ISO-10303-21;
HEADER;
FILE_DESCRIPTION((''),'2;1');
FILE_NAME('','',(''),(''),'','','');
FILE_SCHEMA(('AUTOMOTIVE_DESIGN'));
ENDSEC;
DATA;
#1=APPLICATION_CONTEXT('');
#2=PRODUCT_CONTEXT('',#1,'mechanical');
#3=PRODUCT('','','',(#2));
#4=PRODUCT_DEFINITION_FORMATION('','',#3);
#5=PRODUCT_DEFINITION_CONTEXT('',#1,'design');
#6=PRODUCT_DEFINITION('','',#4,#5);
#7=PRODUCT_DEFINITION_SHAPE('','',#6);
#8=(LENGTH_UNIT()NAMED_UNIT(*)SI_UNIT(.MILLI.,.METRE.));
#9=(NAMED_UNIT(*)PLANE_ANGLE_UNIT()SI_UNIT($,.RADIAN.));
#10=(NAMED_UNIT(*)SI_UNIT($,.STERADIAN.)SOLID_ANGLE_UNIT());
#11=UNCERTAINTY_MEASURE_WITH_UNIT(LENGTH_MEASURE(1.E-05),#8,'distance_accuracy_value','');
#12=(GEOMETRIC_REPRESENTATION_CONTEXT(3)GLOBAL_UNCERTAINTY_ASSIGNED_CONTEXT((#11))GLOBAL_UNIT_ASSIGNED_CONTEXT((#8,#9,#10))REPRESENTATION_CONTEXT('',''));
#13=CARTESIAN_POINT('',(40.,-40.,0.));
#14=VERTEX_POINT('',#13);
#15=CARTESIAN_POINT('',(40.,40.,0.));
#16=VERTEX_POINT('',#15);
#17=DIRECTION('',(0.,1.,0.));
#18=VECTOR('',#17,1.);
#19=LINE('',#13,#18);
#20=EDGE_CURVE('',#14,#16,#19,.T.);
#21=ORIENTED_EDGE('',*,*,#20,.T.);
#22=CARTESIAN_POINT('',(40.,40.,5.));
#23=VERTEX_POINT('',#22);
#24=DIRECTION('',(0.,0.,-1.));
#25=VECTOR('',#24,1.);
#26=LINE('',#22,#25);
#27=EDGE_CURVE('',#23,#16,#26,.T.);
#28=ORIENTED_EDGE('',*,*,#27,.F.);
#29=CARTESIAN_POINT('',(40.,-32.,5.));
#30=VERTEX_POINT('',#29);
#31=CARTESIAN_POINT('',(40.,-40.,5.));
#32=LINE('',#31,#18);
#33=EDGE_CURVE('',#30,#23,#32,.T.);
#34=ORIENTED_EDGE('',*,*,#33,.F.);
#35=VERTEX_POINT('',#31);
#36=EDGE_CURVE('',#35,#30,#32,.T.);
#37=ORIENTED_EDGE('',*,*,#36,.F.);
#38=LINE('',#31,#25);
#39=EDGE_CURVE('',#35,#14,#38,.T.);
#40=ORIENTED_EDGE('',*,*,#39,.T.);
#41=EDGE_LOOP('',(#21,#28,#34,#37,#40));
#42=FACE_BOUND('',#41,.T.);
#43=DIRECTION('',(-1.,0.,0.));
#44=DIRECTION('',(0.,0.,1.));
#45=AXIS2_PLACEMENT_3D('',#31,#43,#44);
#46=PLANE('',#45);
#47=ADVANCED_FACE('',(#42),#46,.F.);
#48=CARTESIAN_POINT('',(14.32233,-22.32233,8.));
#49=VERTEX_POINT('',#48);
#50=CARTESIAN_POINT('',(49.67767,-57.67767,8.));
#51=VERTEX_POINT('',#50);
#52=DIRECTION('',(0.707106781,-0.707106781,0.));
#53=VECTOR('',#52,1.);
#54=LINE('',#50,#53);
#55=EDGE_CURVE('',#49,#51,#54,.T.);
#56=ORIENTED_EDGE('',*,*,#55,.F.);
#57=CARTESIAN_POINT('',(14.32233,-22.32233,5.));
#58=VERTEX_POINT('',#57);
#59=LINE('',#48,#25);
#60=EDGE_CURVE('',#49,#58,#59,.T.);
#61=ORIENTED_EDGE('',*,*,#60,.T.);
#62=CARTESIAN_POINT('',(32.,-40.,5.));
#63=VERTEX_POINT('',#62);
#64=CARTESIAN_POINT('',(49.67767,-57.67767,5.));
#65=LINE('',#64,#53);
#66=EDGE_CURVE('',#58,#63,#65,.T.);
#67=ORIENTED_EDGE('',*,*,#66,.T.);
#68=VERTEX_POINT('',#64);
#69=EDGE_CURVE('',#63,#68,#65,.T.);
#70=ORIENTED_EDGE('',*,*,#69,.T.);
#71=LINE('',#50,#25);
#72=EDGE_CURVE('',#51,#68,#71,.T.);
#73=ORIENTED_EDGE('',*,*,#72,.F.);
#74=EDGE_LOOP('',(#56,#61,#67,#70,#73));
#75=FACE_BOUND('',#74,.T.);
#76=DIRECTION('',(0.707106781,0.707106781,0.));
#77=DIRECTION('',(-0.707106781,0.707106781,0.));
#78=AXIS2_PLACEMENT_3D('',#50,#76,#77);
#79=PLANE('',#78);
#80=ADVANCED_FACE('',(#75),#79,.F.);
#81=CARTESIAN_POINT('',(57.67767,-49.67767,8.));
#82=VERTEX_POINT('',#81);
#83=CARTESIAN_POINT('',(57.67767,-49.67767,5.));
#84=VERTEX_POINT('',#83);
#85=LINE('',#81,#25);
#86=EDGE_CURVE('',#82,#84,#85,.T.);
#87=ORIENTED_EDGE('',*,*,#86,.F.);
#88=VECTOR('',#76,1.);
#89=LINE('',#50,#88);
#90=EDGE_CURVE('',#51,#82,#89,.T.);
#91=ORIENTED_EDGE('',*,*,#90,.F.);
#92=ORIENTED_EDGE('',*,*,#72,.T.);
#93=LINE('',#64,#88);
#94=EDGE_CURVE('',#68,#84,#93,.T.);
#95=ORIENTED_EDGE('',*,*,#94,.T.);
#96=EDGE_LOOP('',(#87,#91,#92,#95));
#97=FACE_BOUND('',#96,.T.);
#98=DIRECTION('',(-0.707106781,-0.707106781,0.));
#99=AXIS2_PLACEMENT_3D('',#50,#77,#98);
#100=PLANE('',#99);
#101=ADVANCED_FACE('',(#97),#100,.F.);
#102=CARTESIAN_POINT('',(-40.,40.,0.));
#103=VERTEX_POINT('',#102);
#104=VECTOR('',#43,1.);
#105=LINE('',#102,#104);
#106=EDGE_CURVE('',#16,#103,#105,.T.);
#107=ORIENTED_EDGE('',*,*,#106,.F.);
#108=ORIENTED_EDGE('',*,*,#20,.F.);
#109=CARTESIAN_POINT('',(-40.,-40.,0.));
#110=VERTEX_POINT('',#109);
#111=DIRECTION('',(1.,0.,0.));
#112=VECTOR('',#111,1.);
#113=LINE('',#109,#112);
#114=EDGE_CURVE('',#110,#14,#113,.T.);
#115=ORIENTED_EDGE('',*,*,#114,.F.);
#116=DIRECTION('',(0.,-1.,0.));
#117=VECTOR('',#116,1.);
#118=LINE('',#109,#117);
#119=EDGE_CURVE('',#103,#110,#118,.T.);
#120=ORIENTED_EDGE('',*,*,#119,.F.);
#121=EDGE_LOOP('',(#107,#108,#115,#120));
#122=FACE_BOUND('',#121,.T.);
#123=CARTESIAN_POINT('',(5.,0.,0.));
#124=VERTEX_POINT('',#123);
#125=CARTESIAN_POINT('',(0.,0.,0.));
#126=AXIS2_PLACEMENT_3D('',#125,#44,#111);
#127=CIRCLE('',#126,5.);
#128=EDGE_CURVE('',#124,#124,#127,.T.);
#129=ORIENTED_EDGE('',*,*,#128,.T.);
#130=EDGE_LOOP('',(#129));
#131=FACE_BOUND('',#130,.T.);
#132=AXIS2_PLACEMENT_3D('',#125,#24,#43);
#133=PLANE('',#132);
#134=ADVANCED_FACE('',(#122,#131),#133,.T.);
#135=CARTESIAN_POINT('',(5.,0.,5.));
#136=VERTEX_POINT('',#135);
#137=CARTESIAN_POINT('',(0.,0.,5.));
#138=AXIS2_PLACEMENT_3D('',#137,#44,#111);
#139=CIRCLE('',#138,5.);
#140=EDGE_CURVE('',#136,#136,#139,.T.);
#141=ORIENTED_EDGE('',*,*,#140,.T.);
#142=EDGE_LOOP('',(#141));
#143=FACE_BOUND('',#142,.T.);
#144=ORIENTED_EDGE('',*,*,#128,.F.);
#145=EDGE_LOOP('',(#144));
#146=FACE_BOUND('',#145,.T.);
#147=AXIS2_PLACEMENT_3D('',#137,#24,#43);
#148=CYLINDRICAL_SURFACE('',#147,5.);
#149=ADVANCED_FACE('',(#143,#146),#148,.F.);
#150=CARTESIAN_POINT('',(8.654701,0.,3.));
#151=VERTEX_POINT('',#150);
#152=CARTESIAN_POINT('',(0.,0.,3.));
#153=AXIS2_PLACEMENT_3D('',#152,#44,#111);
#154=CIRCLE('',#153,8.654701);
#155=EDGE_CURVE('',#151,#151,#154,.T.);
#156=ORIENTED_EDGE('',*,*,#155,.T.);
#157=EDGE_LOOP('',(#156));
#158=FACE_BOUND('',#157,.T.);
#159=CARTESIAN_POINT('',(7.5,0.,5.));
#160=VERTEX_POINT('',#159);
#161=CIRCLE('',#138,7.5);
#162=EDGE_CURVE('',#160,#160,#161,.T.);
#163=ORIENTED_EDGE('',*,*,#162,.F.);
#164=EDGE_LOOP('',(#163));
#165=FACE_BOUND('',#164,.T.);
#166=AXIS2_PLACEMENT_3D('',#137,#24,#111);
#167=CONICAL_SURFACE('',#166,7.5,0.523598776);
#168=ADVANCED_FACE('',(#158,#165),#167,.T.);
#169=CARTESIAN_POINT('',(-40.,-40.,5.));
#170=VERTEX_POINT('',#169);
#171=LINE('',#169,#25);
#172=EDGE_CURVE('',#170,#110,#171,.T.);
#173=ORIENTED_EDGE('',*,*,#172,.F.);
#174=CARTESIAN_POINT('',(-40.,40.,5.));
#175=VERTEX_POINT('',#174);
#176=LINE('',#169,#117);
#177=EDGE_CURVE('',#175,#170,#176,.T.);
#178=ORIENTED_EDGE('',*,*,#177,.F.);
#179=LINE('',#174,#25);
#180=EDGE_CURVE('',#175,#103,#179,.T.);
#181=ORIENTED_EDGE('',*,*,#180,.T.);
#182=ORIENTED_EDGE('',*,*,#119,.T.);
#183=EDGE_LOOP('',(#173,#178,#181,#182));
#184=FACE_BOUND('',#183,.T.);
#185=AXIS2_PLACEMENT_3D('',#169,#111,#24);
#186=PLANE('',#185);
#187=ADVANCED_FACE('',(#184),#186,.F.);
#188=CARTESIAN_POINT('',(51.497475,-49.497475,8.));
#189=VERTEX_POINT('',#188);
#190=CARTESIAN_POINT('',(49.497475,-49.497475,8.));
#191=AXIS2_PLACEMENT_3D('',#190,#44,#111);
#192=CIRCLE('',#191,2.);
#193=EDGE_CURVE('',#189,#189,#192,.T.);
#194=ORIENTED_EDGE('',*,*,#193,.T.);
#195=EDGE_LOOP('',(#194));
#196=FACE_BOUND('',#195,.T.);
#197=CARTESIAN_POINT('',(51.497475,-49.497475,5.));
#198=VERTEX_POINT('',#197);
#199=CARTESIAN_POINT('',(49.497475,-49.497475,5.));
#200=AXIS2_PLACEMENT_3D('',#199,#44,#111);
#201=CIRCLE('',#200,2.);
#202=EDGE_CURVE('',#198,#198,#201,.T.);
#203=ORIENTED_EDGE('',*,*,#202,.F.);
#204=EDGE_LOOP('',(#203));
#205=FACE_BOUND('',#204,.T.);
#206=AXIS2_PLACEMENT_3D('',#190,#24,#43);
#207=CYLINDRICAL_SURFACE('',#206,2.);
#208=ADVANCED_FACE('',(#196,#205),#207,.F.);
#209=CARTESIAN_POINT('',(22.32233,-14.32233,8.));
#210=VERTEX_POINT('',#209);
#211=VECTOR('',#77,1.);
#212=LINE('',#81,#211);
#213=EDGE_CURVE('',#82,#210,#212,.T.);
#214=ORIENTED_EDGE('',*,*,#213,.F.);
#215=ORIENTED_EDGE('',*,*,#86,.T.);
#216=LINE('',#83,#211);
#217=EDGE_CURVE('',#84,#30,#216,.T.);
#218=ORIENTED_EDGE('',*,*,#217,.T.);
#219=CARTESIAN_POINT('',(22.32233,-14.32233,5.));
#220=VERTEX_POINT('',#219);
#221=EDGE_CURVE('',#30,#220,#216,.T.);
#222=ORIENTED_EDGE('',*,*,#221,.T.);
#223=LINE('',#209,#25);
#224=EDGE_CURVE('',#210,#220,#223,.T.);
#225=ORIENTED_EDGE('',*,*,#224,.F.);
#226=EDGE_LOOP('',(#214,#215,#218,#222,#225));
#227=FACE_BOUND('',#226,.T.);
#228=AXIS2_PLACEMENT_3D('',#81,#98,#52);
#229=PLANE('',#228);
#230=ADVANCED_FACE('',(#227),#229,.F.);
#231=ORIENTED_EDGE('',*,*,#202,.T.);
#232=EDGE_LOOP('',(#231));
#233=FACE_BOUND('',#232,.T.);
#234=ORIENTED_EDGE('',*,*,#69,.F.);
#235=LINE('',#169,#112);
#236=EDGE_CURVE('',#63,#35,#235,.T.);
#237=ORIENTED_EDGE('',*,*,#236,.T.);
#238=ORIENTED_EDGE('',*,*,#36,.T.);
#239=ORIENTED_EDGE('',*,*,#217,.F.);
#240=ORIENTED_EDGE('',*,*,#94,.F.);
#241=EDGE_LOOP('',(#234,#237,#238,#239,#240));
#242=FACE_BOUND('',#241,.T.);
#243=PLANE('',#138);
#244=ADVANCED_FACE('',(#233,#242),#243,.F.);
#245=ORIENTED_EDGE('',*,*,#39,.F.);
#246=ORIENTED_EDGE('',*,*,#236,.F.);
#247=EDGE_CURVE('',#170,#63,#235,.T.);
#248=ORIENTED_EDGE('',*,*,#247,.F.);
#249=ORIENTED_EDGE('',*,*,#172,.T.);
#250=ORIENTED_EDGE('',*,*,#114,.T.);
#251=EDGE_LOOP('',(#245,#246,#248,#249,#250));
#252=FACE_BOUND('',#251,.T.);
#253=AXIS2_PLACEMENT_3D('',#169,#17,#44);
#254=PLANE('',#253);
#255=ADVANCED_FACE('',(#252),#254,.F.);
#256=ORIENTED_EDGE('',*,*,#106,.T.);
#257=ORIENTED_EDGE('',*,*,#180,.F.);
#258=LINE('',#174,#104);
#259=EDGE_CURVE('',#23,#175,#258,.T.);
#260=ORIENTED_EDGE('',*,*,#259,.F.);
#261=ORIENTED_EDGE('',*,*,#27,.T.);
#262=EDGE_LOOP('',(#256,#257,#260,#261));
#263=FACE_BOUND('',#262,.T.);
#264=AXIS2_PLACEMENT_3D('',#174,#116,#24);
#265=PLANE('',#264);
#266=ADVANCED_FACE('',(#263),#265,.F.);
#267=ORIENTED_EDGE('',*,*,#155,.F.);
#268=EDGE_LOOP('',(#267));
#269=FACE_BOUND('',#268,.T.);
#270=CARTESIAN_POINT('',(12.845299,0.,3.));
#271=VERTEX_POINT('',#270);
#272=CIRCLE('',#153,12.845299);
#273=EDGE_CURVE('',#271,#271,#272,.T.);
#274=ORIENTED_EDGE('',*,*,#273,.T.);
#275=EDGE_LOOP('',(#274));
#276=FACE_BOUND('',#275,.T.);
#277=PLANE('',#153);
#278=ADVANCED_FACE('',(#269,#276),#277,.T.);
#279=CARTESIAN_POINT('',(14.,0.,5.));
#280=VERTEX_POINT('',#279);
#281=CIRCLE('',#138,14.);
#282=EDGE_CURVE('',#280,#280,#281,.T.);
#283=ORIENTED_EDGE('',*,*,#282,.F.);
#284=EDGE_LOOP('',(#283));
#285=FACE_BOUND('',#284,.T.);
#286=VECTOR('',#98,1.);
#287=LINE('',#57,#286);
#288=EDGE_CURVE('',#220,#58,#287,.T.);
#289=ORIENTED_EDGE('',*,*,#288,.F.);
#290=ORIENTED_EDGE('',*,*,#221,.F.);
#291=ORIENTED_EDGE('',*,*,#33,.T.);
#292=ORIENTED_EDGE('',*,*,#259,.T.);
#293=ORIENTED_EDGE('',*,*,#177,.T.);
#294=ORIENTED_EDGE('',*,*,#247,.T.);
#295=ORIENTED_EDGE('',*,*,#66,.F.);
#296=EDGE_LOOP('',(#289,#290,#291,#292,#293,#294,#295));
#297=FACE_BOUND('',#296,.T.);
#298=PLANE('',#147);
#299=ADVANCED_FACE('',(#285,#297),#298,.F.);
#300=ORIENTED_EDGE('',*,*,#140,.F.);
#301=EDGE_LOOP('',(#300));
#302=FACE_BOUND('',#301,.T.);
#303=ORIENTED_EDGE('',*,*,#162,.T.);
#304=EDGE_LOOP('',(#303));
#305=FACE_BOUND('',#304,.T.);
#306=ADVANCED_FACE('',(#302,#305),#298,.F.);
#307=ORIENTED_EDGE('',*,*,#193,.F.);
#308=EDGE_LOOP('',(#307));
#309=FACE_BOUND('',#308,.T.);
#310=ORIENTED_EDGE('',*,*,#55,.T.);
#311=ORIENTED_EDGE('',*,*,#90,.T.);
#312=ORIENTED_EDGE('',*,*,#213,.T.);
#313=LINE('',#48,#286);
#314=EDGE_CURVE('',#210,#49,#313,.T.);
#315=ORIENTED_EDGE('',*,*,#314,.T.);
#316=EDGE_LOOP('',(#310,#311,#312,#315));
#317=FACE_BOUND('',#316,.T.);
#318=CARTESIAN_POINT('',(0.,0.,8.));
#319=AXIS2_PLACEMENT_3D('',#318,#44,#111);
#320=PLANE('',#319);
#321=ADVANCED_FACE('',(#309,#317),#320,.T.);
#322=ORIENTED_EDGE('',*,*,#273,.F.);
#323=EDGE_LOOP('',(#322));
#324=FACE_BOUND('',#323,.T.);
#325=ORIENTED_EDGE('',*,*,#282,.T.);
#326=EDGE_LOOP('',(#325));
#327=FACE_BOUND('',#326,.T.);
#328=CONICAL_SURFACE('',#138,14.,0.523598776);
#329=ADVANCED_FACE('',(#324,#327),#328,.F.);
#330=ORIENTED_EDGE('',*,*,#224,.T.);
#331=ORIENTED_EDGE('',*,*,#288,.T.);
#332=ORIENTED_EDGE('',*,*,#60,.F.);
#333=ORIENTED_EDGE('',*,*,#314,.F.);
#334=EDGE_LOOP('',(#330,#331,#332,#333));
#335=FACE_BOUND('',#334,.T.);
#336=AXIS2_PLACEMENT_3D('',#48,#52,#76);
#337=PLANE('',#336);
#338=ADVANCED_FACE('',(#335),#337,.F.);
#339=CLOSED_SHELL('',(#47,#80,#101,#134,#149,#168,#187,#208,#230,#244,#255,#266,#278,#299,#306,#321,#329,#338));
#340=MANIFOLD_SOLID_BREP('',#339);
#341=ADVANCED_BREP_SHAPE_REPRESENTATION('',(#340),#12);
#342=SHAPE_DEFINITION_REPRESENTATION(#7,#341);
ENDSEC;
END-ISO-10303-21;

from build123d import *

# Parameters (mm, degrees)
SKETCH1_W           = 80
SKETCH1_H           = 80
SKETCH1_R           = 5
BOSS_EXTRUDE1_DEPTH = 5
SKETCH2_R           = 14
SKETCH2_R_2         = 7.5
CUT_EXTRUDE1_DEPTH  = 2
CUT_EXTRUDE1_TAPER  = 30
SKETCH3_R           = 2
BOSS_EXTRUDE2_DEPTH = 3


with BuildPart() as part:
    # Sketch1 → Boss-Extrude1 (new body)
    with BuildSketch(Plane.XY):
        Rectangle(SKETCH1_W, SKETCH1_H)
        Circle(SKETCH1_R, mode=Mode.SUBTRACT)
    extrude(amount=BOSS_EXTRUDE1_DEPTH)

    # Sketch2 → Cut-Extrude1 (cut)
    with BuildSketch(Plane.XY.offset(5)):
        Circle(SKETCH2_R)
        Circle(SKETCH2_R_2, mode=Mode.SUBTRACT)
    extrude(amount=-CUT_EXTRUDE1_DEPTH, taper=CUT_EXTRUDE1_TAPER, mode=Mode.SUBTRACT)

    # Sketch3 → Boss-Extrude2 (add)
    with BuildSketch(Plane.XY.offset(5)):
        Polygon((49.67766953, -57.67766953), (14.32233047, -22.32233047), (22.32233047, -14.32233047), (57.67766953, -49.67766953), align=None)
        with Locations((49.497474683, -49.497474683)):
            Circle(SKETCH3_R, mode=Mode.SUBTRACT)
    extrude(amount=BOSS_EXTRUDE2_DEPTH)


solid = part.part
